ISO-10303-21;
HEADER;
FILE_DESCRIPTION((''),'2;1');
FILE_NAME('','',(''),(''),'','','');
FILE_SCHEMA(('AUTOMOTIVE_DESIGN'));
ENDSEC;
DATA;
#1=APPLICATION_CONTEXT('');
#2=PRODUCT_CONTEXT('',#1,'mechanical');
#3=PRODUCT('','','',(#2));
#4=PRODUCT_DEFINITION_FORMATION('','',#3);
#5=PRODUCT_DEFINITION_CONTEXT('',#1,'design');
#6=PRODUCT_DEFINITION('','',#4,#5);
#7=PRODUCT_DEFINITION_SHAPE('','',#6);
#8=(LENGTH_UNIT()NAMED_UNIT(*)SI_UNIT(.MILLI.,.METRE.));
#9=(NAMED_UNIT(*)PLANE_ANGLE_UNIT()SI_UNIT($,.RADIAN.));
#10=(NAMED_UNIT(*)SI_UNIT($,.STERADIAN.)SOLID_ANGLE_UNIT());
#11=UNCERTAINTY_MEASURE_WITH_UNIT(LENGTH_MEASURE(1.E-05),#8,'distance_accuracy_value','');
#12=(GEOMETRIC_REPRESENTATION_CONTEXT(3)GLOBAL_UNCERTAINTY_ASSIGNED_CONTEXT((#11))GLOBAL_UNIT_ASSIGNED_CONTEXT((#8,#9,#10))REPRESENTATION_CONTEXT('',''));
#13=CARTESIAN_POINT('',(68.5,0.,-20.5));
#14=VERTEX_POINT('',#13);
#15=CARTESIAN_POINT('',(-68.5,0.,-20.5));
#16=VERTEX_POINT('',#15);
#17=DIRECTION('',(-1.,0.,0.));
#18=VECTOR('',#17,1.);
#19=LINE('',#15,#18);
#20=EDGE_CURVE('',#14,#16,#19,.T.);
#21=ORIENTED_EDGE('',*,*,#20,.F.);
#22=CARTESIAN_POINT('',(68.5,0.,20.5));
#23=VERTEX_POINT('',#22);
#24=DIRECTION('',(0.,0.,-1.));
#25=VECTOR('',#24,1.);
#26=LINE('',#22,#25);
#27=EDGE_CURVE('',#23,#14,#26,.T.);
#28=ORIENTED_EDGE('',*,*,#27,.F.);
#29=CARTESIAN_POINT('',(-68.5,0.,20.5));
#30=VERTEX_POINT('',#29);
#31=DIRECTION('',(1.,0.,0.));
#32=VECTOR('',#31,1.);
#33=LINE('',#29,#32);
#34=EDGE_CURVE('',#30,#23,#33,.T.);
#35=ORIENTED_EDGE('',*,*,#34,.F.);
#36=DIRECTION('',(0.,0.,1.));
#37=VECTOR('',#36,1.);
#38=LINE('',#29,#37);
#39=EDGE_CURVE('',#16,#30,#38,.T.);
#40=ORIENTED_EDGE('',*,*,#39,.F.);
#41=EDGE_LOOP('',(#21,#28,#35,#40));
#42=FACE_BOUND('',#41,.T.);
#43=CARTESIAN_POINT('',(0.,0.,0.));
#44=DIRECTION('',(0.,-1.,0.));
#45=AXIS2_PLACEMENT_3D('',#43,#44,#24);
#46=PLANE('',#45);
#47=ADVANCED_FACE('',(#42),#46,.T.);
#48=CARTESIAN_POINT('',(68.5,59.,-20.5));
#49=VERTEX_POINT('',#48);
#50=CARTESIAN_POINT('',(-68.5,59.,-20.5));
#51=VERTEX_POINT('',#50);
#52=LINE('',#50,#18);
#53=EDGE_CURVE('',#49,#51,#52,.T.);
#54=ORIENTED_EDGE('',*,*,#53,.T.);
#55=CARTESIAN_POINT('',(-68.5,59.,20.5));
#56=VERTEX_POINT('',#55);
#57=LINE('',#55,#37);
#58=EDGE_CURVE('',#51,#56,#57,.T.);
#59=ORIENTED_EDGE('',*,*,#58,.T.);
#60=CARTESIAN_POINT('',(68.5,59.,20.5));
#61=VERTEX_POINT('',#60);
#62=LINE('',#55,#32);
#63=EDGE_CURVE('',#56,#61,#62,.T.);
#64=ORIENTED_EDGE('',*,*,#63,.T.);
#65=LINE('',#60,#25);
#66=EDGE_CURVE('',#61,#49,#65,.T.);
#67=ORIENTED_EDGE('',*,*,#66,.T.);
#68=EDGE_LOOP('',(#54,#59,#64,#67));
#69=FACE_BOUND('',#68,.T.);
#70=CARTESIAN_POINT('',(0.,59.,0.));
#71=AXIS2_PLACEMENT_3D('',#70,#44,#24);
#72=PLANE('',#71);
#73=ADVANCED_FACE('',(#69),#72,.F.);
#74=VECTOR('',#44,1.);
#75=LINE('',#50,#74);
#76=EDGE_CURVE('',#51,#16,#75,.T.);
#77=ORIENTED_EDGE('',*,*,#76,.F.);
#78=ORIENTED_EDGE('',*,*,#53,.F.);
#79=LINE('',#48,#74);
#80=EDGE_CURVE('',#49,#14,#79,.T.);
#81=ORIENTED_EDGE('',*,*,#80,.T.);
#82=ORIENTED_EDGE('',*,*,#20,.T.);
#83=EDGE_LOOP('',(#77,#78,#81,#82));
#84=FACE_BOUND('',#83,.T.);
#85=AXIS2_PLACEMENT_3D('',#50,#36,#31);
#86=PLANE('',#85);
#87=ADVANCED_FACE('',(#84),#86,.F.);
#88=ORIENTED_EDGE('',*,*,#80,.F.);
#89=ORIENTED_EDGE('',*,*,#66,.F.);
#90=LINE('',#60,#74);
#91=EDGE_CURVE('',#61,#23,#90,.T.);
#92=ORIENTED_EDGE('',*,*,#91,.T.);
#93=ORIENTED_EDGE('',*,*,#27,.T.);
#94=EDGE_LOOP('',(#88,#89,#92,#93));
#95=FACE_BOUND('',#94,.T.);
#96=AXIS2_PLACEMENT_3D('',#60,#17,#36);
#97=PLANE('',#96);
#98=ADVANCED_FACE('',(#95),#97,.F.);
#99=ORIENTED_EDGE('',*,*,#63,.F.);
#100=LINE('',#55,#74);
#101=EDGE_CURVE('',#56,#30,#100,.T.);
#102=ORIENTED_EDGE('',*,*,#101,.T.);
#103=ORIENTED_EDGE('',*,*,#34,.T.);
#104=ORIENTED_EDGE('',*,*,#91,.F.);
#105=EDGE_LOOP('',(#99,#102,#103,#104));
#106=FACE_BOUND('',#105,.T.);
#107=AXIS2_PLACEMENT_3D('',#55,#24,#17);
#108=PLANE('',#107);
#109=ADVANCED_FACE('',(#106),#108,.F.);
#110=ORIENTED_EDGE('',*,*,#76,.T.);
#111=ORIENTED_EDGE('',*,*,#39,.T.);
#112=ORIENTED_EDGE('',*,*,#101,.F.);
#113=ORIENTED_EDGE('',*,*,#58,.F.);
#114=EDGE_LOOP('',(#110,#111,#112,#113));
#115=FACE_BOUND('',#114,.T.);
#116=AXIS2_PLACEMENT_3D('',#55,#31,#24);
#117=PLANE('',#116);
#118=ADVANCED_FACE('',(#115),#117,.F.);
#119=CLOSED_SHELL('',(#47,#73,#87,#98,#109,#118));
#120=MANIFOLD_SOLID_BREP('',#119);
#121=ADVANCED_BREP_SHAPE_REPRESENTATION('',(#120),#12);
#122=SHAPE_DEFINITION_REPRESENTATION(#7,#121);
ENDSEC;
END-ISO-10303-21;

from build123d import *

# Parameters (mm, degrees)
SKETCH_1_W      = 137
SKETCH_1_H      = 41
EXTRUDE_1_DEPTH = 59


with BuildPart() as part:
    # 草图1 → 凸台-拉伸1 (new body)
    with BuildSketch(Plane(origin=(0, 0, 0), x_dir=(1, 0, 0), z_dir=(0, 1, 0))):
        Rectangle(SKETCH_1_W, SKETCH_1_H)
    extrude(amount=EXTRUDE_1_DEPTH)


solid = part.part
